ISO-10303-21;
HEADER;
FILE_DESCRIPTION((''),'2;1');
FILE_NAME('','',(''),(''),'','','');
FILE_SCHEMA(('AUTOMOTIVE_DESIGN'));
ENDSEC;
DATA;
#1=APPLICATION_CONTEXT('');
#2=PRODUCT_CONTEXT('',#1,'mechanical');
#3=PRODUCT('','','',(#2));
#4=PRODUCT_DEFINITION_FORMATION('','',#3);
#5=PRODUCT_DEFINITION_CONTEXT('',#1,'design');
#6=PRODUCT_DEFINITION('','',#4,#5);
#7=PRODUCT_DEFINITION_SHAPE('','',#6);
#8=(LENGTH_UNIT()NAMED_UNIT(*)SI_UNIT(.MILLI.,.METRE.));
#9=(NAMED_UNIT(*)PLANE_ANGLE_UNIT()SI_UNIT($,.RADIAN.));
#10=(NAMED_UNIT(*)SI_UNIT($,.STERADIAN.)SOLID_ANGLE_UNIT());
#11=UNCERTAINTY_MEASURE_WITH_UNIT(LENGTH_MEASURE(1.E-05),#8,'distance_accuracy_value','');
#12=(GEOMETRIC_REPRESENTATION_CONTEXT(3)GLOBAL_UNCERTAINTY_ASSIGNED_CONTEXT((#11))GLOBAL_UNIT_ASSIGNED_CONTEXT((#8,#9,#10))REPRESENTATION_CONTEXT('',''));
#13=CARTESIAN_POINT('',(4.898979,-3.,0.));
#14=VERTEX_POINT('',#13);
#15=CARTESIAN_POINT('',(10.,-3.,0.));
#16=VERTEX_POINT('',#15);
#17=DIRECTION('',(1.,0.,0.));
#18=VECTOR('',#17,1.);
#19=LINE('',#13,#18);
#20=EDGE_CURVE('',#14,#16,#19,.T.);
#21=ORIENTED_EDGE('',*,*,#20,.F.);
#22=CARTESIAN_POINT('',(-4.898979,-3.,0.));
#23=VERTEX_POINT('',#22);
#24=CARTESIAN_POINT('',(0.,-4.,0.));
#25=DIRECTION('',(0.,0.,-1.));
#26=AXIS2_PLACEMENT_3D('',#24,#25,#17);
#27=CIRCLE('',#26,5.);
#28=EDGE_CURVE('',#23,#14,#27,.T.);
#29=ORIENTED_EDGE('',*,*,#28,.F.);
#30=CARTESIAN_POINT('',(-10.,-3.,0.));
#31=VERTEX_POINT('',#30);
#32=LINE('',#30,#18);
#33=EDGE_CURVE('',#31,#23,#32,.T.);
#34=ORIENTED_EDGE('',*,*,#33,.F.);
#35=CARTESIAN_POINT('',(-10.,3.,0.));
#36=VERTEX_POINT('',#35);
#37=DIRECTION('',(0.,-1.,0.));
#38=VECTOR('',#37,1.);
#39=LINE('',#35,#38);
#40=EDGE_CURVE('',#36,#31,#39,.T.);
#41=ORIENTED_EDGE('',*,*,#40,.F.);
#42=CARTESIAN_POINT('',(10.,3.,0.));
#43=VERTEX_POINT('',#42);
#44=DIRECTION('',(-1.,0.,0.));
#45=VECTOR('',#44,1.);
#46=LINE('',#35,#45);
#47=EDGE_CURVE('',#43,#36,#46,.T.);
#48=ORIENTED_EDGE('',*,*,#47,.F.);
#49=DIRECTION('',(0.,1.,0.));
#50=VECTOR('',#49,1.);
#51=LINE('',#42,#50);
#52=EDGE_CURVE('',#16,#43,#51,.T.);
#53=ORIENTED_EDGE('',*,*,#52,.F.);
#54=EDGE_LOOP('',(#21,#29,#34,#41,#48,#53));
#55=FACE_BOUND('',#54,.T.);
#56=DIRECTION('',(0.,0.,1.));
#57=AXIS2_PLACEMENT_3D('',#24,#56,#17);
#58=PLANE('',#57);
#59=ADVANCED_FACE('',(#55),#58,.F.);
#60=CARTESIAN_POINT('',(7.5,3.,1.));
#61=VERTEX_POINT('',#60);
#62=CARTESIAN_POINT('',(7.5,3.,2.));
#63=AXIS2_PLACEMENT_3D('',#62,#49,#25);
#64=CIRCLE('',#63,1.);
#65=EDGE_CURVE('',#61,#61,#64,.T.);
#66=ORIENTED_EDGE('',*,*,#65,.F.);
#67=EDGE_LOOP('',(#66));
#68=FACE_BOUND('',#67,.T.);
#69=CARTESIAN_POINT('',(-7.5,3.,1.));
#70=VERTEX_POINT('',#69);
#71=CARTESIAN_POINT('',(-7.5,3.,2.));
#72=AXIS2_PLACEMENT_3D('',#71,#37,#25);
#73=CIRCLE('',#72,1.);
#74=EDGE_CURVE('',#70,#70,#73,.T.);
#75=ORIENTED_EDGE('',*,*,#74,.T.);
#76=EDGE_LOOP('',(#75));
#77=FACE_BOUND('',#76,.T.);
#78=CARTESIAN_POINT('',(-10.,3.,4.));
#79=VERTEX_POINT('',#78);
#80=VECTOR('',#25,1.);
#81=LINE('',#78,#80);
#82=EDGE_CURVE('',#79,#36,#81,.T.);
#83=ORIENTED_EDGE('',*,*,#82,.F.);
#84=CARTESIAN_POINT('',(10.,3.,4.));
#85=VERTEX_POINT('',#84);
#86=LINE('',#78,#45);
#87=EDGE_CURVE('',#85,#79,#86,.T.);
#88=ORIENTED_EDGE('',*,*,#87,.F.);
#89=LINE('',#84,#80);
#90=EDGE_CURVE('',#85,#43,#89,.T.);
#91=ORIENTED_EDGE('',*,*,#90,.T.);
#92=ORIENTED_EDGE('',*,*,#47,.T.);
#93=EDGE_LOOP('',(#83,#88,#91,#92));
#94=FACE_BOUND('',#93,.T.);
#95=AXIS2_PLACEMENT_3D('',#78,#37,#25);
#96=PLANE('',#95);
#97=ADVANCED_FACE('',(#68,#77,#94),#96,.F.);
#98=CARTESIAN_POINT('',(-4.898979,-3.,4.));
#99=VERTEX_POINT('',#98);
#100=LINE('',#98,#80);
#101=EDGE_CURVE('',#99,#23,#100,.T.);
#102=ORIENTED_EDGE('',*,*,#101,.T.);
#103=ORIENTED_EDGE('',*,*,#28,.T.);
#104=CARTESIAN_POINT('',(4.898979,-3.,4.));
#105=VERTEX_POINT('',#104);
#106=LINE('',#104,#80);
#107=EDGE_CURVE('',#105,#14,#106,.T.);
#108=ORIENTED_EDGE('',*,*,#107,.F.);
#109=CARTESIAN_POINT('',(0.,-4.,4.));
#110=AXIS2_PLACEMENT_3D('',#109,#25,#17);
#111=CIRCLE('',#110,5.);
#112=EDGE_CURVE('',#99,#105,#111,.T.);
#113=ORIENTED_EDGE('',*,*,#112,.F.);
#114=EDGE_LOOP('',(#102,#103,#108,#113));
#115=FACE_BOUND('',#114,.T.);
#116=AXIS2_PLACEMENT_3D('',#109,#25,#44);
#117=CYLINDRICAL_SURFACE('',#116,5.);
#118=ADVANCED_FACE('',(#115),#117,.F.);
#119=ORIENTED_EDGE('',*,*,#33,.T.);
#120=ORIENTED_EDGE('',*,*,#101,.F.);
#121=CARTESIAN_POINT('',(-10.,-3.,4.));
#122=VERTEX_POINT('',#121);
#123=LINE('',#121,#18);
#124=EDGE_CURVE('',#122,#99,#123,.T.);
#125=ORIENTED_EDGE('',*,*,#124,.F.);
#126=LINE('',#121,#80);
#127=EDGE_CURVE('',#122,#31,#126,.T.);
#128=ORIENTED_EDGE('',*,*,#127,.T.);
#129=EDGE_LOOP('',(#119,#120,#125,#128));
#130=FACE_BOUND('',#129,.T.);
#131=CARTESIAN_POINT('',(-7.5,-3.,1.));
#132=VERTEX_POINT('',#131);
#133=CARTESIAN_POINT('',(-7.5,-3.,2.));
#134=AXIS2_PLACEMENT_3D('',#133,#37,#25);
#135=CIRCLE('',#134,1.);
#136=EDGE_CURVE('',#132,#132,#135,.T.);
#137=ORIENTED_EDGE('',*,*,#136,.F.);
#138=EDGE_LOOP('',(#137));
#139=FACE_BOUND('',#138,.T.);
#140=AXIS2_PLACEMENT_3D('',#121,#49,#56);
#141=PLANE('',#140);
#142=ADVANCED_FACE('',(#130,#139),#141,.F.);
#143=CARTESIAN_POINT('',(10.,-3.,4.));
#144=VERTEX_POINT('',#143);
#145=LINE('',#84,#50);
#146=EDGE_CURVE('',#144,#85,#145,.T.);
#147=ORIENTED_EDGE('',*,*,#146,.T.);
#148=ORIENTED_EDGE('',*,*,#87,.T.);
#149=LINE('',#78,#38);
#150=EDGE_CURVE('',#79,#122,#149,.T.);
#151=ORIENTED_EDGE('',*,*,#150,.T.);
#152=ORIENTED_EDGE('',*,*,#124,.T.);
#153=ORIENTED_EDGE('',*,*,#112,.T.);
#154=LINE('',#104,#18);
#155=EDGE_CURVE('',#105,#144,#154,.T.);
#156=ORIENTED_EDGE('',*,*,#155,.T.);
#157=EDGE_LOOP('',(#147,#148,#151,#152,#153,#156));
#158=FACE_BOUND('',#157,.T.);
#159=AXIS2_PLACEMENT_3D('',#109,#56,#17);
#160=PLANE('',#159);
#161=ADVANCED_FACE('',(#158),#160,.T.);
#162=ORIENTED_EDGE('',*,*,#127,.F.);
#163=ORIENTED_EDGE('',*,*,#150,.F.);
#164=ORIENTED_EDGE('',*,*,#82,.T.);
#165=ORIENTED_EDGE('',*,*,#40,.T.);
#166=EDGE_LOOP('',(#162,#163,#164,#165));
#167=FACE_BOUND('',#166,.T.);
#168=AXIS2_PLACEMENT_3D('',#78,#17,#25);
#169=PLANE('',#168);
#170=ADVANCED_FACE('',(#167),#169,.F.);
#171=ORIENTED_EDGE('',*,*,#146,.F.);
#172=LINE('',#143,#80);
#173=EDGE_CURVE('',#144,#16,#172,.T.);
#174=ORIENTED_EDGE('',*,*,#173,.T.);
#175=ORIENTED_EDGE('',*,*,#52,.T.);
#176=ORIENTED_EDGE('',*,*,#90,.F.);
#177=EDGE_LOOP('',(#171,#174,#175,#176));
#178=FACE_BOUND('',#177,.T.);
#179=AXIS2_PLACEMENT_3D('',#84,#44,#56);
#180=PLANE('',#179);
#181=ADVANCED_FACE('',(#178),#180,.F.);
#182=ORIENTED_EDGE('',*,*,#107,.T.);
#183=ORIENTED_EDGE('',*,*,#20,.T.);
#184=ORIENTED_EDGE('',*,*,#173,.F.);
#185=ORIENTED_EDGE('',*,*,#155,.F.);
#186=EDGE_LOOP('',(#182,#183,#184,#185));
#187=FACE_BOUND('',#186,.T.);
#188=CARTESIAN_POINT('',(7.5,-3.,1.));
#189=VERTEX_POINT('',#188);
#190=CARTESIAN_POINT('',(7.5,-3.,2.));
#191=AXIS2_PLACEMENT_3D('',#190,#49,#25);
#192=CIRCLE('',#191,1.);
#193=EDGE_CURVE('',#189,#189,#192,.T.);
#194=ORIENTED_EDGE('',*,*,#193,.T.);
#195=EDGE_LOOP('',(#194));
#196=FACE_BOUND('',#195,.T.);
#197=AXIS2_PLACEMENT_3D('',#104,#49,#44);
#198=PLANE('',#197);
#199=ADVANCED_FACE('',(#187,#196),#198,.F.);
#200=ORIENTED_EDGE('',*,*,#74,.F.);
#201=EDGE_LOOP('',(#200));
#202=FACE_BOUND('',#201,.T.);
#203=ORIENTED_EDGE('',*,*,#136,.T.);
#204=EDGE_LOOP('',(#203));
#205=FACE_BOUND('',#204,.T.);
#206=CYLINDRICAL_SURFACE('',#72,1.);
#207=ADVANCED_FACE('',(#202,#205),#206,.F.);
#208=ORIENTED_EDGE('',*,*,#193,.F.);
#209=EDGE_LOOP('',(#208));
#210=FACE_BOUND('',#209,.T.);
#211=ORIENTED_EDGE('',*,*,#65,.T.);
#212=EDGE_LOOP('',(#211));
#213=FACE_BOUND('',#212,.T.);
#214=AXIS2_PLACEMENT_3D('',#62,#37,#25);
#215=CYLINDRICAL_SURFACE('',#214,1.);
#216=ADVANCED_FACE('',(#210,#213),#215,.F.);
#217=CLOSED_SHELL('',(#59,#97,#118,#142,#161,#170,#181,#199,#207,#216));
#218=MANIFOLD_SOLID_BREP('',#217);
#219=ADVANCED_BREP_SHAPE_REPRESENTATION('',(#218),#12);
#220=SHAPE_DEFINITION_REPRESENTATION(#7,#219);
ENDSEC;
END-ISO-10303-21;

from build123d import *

# Parameters (mm, degrees)
EXTRUDE1_DEPTH = 4
SKETCH2_R      = 1
EXTRUDE2_DEPTH = 7


with BuildPart() as part:
    # Sketch1 → Extrude1 (new body)
    with BuildSketch(Plane.XY):
        with BuildLine():
            Line((4.898979486, -3), (10, -3))
            Line((10, -3), (10, 3))
            Line((10, 3), (-10, 3))
            Line((-10, 3), (-10, -3))
            Line((-10, -3), (-4.898979486, -3))
            ThreePointArc((-4.898979486, -3), (0, 1), (4.898979486, -3))
        make_face()
    extrude(amount=EXTRUDE1_DEPTH)

    # Sketch2 → Extrude2 (cut, through all)
    with BuildSketch(Plane.XZ.offset(3)):
        with Locations((-7.5, 2)):
            Circle(SKETCH2_R)
    extrude2 = extrude(amount=-EXTRUDE2_DEPTH, mode=Mode.SUBTRACT)

    # Mirror1: Extrude2 across plane
    add(extrude2.mirror(Plane(origin=(0, 0, 0), x_dir=(0, 0, 1), z_dir=(1, 0, 0))), mode=Mode.SUBTRACT)


solid = part.part
